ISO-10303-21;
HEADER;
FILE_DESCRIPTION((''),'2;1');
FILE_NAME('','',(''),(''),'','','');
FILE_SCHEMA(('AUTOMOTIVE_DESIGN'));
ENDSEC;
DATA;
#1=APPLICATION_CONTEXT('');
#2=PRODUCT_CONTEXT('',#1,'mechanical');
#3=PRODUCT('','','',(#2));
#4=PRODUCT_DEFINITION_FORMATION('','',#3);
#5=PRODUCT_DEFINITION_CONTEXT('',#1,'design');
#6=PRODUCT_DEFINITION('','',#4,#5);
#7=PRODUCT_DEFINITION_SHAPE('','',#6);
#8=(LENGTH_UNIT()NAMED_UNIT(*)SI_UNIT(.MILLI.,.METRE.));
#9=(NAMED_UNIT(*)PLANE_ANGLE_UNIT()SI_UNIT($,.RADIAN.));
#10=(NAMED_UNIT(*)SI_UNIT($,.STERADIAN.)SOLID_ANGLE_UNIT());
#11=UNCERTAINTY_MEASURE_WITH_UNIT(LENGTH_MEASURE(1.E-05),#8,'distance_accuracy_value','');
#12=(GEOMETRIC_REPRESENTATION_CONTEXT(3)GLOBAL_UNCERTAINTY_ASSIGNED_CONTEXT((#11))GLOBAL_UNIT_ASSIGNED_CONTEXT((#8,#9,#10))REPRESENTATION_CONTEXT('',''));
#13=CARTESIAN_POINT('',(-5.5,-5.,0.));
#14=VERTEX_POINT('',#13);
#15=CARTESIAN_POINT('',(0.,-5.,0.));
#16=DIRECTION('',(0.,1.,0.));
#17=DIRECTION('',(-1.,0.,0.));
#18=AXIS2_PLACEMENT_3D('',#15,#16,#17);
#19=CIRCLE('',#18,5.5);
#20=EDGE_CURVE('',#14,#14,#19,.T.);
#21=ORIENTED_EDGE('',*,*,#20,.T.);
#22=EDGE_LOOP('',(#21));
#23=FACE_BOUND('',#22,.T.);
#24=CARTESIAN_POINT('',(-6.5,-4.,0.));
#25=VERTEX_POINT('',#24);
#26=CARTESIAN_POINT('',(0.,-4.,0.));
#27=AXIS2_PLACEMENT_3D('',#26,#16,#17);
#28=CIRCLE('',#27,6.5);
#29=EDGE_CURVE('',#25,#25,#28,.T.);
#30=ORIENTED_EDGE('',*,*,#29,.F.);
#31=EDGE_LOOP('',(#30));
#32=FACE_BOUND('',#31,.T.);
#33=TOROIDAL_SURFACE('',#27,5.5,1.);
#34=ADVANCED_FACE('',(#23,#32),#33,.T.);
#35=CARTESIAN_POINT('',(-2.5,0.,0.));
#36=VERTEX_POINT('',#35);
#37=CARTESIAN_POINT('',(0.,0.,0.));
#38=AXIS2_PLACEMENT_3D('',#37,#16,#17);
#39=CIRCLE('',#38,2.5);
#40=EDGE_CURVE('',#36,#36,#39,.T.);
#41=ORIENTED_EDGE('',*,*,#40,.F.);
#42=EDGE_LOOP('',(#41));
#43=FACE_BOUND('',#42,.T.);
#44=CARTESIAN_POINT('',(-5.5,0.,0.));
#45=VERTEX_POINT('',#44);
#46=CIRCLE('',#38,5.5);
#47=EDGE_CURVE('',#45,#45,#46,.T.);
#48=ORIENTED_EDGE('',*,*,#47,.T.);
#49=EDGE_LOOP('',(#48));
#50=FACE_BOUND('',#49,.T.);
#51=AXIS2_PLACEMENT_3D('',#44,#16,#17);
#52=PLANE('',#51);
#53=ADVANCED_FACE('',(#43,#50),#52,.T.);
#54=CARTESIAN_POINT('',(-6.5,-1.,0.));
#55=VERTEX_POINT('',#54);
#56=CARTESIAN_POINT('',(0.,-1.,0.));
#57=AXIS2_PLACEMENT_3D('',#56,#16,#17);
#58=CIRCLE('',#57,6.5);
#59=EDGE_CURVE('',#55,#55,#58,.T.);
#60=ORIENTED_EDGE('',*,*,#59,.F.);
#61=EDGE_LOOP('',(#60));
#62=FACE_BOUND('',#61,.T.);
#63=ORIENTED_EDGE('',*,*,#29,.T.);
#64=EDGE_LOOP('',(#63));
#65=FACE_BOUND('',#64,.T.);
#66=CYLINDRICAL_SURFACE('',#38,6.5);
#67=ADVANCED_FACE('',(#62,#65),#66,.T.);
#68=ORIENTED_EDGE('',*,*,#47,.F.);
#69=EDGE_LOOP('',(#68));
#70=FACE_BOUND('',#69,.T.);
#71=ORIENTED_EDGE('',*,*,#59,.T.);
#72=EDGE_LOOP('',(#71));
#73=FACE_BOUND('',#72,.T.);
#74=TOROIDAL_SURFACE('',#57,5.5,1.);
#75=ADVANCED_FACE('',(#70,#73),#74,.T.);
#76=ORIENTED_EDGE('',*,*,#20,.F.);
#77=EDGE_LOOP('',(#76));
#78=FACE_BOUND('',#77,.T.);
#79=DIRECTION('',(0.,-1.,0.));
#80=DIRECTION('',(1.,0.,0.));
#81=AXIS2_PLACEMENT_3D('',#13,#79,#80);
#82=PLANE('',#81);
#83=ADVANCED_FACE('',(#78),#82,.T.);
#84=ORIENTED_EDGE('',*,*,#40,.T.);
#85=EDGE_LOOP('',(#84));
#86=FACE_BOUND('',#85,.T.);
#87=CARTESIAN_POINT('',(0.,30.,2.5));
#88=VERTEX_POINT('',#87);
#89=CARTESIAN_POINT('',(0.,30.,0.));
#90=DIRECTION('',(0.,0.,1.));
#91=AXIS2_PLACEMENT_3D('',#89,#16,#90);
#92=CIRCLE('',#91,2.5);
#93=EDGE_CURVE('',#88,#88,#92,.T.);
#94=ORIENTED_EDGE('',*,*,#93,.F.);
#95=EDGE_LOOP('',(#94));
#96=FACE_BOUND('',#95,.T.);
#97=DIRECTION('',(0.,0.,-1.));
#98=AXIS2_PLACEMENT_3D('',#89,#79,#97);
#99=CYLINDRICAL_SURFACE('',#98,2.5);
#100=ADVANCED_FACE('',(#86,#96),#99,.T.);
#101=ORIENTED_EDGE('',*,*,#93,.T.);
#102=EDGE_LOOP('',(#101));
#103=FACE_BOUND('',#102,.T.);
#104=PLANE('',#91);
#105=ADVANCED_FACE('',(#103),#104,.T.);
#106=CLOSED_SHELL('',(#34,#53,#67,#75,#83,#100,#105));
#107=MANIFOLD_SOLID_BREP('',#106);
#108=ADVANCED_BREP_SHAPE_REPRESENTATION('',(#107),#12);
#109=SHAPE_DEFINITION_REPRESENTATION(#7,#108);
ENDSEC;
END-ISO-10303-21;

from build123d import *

# Parameters (mm, degrees)
SKETCH1_R           = 2.5
BOSS_EXTRUDE1_DEPTH = 30


with BuildPart() as part:
    # Sketch1 → Boss-Extrude1 (new body)
    with BuildSketch(Plane(origin=(0, 0, 0), x_dir=(1, 0, 0), z_dir=(0, 1, 0))):
        with Locations(Location((0, 0, 0), (0, 0, 270))):
            Circle(SKETCH1_R)
    extrude(amount=BOSS_EXTRUDE1_DEPTH)

    # Sketch2 → Revolve1 (revolve)
    with BuildSketch(Plane.XY):
        with BuildLine():
            Line((0, 0), (0, -5))
            Line((0, -5), (-5.5, -5))
            ThreePointArc((-5.5, -5), (-6.207106781, -4.707106781), (-6.5, -4))
            Line((-6.5, -4), (-6.5, -1))
            ThreePointArc((-6.5, -1), (-6.207106781, -0.292893219), (-5.5, 0))
            Line((-5.5, 0), (0, 0))
        make_face()
    revolve(axis=Axis((0, 0, 0), (0, -1, 0)))


solid = part.part
